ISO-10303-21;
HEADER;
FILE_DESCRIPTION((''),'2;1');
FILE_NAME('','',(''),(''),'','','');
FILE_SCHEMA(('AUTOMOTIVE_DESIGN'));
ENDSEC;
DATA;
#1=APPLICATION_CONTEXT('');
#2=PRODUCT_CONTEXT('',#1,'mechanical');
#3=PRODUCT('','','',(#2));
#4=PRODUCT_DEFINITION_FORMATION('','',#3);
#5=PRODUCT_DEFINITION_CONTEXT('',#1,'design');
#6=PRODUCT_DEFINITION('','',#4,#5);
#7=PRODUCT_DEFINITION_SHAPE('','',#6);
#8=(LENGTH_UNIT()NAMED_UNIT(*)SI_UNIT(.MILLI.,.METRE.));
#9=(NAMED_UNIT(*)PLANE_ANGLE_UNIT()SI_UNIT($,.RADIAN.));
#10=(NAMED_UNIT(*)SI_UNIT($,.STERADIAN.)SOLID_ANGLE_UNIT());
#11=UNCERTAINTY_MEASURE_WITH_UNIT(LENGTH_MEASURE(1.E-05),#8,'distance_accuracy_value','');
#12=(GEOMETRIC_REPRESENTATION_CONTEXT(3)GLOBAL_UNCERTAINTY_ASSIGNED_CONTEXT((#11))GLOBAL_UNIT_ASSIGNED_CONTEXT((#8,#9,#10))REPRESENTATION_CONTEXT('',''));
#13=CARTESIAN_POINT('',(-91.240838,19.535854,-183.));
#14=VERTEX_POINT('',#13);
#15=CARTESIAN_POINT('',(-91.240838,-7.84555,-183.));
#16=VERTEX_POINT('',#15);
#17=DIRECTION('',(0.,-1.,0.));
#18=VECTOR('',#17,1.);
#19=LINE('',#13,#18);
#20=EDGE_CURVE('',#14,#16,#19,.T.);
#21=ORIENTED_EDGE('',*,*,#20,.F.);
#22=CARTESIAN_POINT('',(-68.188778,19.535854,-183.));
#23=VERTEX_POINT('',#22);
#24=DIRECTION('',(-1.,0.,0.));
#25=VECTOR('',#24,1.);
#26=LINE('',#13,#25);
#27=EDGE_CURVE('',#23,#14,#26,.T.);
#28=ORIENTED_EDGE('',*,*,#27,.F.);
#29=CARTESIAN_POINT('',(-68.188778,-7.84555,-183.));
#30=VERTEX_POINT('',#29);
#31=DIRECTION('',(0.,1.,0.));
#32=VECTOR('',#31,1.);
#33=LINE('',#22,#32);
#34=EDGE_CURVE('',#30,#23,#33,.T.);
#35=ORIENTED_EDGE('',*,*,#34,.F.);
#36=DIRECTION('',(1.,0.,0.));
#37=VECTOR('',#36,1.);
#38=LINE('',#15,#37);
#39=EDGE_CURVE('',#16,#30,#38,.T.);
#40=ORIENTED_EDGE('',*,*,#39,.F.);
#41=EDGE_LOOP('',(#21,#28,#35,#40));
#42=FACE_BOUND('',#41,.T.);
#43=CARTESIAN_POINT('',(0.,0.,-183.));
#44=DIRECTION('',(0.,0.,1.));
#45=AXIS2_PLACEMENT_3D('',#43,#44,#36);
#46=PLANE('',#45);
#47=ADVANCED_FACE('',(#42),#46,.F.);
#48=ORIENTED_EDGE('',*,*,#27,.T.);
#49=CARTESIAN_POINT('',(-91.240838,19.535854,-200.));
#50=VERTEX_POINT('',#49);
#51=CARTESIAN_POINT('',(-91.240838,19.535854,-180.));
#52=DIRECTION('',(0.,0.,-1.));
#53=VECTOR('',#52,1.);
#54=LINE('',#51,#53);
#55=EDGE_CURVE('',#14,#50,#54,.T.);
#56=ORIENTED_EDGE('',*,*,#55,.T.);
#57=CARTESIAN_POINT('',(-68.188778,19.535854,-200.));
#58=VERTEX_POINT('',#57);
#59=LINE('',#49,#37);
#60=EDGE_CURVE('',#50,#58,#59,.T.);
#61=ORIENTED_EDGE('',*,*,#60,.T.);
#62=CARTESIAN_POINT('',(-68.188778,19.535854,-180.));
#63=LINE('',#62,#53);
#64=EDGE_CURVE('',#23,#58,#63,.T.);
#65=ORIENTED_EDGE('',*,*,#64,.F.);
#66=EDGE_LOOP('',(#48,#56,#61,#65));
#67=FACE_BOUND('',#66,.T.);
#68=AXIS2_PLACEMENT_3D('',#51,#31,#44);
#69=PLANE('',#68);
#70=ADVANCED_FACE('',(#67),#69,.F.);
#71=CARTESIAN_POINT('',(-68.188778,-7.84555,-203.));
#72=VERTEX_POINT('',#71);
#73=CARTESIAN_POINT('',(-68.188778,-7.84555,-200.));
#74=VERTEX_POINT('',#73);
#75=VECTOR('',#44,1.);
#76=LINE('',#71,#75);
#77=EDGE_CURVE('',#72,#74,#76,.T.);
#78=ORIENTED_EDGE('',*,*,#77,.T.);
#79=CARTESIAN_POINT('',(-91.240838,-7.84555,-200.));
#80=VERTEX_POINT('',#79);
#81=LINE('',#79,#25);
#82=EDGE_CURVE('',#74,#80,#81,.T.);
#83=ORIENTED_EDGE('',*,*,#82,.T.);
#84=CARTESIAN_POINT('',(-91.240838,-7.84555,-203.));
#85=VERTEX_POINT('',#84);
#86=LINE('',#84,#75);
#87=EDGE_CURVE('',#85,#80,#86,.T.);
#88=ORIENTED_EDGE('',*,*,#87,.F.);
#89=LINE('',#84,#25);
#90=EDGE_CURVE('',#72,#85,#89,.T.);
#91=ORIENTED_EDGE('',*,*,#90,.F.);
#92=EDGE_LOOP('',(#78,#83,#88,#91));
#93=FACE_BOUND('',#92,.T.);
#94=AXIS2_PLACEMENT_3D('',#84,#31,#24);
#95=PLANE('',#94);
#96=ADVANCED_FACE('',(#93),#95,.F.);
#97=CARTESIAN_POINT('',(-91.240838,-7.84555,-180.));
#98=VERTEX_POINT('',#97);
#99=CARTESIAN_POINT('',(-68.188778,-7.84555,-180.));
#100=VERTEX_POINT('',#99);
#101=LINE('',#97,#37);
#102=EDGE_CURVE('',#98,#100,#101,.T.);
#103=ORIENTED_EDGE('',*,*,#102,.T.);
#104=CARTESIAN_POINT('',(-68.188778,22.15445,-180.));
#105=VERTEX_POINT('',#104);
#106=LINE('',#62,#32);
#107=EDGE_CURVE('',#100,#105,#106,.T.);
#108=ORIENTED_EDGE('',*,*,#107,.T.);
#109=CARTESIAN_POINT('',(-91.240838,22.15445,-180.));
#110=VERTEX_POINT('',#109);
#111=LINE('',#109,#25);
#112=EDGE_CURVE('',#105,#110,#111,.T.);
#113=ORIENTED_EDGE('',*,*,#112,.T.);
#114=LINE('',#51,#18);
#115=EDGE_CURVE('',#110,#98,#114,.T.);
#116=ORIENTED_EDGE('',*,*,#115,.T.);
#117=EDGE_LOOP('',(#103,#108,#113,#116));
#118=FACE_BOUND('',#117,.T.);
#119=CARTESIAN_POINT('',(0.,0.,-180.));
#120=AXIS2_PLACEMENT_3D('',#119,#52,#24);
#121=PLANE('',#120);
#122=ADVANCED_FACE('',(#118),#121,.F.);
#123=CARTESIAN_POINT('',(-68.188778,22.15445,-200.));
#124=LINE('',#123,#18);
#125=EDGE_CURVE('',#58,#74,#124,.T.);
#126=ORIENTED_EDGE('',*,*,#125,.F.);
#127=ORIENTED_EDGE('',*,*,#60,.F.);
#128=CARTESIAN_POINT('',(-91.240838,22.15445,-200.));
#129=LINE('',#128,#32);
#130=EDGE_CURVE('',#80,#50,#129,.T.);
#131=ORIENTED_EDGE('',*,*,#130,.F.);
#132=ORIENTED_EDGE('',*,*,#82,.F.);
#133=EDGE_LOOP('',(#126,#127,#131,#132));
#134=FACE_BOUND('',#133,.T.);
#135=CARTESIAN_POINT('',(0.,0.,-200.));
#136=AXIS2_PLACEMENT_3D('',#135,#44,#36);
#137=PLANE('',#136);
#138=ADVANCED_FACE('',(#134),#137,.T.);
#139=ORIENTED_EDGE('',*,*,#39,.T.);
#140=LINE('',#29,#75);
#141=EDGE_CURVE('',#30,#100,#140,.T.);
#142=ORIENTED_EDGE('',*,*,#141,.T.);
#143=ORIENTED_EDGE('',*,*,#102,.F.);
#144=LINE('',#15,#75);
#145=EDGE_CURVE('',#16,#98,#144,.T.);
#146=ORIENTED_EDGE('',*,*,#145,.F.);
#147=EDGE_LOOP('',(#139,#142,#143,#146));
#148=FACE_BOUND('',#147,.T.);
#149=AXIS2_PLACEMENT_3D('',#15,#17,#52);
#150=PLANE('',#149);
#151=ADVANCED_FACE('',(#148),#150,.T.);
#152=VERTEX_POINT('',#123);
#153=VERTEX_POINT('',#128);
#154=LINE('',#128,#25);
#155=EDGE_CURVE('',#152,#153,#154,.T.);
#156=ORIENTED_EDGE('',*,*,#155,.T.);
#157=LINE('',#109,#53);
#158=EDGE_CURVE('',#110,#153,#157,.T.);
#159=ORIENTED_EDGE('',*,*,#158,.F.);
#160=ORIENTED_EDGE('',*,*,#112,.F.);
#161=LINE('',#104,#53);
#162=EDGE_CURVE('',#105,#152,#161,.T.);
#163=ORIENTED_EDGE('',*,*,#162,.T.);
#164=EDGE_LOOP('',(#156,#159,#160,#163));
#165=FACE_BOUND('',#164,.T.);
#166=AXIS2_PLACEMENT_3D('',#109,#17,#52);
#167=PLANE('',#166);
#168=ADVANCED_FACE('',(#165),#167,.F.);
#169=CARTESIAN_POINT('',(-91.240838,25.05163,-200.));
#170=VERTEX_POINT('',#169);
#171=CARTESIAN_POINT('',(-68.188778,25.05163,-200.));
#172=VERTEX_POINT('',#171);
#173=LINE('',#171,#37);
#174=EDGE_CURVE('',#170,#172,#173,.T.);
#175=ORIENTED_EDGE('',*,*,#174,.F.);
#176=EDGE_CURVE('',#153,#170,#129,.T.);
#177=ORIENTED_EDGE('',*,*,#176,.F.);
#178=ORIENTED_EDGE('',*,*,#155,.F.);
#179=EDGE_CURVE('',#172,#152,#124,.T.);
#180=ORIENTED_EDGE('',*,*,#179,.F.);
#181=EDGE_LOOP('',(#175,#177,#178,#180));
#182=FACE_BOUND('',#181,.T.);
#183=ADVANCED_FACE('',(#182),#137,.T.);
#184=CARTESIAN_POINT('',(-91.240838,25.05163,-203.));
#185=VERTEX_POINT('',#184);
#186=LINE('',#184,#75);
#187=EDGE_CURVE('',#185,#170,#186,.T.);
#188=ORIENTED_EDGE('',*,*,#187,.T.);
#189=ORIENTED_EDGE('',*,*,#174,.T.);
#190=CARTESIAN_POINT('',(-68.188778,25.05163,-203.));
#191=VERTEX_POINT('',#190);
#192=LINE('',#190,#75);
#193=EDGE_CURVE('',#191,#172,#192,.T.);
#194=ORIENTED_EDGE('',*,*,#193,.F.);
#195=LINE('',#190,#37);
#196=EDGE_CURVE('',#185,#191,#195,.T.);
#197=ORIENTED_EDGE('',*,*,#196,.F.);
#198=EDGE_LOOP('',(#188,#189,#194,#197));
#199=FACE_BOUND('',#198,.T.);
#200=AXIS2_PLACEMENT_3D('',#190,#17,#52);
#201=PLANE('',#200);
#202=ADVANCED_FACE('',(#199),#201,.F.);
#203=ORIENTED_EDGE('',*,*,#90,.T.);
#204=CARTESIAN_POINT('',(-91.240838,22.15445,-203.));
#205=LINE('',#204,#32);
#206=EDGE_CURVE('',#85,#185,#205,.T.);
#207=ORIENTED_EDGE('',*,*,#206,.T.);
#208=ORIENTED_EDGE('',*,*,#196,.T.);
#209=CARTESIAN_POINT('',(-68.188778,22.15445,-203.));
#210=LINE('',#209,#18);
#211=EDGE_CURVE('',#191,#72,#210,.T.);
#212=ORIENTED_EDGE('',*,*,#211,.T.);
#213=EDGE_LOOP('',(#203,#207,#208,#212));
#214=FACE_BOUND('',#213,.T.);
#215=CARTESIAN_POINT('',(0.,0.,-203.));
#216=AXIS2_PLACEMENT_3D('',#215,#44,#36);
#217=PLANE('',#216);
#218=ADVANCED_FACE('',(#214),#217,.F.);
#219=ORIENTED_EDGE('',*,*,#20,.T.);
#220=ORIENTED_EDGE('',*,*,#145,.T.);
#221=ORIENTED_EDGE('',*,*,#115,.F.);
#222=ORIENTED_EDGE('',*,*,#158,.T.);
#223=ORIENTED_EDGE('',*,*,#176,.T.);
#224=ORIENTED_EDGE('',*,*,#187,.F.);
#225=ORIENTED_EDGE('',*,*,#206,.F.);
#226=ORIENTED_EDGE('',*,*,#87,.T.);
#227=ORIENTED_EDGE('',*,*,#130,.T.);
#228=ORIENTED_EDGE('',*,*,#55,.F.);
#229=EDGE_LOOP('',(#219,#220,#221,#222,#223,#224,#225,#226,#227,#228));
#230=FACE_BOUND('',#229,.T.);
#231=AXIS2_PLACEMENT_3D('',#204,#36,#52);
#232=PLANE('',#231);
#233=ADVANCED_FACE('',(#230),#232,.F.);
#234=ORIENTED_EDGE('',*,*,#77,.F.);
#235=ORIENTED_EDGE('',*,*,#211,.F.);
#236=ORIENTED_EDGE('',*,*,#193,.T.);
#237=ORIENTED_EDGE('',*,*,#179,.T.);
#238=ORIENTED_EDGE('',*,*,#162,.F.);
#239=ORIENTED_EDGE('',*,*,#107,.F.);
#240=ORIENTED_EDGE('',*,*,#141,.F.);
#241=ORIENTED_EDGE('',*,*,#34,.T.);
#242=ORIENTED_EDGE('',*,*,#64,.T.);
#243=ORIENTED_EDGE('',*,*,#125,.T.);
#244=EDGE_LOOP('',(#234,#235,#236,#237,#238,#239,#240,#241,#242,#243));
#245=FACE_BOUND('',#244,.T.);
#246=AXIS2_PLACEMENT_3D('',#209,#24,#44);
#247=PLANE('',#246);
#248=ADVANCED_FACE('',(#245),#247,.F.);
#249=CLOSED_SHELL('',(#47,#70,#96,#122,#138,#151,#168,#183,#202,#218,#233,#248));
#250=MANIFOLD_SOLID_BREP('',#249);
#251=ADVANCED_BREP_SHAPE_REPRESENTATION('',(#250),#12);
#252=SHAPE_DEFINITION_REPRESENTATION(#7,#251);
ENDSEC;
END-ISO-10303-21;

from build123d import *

# Parameters (mm, degrees)
BOSS_EXTRUDE1_DEPTH = 3
SKETCH3_W           = 23.052059357
SKETCH3_H           = 2.618596089
BOSS_EXTRUDE2_DEPTH = 20
SKETCH5_W           = 23.052059357
SKETCH5_H           = 27.381403911
BOSS_EXTRUDE3_DEPTH = 3


with BuildPart() as part:
    # Sketch2 → Boss-Extrude1 (new body)
    with BuildSketch(Plane(origin=(0, 0, -200), x_dir=(-1, 0, 0), z_dir=(0, 0, -1))):
        Polygon((91.240837696, 22.154450262), (91.240837696, -7.845549738), (68.188778339, -7.845549738), (68.188778339, 22.154450262), (68.188778339, 25.05163022), (91.240837696, 25.05163022), align=None)
    extrude(amount=BOSS_EXTRUDE1_DEPTH)

    # Sketch3 → Boss-Extrude2 (add)
    with BuildSketch(Plane.XY.offset(-200)):
        with Locations((-79.714808018, 20.845152218)):
            Rectangle(SKETCH3_W, SKETCH3_H)
    extrude(amount=BOSS_EXTRUDE2_DEPTH)

    # Sketch5 → Boss-Extrude3 (add)
    with BuildSketch(Plane.XY.offset(-180)):
        with Locations((-79.714808018, 5.845152217)):
            Rectangle(SKETCH5_W, SKETCH5_H)
    extrude(amount=-BOSS_EXTRUDE3_DEPTH)


solid = part.part
